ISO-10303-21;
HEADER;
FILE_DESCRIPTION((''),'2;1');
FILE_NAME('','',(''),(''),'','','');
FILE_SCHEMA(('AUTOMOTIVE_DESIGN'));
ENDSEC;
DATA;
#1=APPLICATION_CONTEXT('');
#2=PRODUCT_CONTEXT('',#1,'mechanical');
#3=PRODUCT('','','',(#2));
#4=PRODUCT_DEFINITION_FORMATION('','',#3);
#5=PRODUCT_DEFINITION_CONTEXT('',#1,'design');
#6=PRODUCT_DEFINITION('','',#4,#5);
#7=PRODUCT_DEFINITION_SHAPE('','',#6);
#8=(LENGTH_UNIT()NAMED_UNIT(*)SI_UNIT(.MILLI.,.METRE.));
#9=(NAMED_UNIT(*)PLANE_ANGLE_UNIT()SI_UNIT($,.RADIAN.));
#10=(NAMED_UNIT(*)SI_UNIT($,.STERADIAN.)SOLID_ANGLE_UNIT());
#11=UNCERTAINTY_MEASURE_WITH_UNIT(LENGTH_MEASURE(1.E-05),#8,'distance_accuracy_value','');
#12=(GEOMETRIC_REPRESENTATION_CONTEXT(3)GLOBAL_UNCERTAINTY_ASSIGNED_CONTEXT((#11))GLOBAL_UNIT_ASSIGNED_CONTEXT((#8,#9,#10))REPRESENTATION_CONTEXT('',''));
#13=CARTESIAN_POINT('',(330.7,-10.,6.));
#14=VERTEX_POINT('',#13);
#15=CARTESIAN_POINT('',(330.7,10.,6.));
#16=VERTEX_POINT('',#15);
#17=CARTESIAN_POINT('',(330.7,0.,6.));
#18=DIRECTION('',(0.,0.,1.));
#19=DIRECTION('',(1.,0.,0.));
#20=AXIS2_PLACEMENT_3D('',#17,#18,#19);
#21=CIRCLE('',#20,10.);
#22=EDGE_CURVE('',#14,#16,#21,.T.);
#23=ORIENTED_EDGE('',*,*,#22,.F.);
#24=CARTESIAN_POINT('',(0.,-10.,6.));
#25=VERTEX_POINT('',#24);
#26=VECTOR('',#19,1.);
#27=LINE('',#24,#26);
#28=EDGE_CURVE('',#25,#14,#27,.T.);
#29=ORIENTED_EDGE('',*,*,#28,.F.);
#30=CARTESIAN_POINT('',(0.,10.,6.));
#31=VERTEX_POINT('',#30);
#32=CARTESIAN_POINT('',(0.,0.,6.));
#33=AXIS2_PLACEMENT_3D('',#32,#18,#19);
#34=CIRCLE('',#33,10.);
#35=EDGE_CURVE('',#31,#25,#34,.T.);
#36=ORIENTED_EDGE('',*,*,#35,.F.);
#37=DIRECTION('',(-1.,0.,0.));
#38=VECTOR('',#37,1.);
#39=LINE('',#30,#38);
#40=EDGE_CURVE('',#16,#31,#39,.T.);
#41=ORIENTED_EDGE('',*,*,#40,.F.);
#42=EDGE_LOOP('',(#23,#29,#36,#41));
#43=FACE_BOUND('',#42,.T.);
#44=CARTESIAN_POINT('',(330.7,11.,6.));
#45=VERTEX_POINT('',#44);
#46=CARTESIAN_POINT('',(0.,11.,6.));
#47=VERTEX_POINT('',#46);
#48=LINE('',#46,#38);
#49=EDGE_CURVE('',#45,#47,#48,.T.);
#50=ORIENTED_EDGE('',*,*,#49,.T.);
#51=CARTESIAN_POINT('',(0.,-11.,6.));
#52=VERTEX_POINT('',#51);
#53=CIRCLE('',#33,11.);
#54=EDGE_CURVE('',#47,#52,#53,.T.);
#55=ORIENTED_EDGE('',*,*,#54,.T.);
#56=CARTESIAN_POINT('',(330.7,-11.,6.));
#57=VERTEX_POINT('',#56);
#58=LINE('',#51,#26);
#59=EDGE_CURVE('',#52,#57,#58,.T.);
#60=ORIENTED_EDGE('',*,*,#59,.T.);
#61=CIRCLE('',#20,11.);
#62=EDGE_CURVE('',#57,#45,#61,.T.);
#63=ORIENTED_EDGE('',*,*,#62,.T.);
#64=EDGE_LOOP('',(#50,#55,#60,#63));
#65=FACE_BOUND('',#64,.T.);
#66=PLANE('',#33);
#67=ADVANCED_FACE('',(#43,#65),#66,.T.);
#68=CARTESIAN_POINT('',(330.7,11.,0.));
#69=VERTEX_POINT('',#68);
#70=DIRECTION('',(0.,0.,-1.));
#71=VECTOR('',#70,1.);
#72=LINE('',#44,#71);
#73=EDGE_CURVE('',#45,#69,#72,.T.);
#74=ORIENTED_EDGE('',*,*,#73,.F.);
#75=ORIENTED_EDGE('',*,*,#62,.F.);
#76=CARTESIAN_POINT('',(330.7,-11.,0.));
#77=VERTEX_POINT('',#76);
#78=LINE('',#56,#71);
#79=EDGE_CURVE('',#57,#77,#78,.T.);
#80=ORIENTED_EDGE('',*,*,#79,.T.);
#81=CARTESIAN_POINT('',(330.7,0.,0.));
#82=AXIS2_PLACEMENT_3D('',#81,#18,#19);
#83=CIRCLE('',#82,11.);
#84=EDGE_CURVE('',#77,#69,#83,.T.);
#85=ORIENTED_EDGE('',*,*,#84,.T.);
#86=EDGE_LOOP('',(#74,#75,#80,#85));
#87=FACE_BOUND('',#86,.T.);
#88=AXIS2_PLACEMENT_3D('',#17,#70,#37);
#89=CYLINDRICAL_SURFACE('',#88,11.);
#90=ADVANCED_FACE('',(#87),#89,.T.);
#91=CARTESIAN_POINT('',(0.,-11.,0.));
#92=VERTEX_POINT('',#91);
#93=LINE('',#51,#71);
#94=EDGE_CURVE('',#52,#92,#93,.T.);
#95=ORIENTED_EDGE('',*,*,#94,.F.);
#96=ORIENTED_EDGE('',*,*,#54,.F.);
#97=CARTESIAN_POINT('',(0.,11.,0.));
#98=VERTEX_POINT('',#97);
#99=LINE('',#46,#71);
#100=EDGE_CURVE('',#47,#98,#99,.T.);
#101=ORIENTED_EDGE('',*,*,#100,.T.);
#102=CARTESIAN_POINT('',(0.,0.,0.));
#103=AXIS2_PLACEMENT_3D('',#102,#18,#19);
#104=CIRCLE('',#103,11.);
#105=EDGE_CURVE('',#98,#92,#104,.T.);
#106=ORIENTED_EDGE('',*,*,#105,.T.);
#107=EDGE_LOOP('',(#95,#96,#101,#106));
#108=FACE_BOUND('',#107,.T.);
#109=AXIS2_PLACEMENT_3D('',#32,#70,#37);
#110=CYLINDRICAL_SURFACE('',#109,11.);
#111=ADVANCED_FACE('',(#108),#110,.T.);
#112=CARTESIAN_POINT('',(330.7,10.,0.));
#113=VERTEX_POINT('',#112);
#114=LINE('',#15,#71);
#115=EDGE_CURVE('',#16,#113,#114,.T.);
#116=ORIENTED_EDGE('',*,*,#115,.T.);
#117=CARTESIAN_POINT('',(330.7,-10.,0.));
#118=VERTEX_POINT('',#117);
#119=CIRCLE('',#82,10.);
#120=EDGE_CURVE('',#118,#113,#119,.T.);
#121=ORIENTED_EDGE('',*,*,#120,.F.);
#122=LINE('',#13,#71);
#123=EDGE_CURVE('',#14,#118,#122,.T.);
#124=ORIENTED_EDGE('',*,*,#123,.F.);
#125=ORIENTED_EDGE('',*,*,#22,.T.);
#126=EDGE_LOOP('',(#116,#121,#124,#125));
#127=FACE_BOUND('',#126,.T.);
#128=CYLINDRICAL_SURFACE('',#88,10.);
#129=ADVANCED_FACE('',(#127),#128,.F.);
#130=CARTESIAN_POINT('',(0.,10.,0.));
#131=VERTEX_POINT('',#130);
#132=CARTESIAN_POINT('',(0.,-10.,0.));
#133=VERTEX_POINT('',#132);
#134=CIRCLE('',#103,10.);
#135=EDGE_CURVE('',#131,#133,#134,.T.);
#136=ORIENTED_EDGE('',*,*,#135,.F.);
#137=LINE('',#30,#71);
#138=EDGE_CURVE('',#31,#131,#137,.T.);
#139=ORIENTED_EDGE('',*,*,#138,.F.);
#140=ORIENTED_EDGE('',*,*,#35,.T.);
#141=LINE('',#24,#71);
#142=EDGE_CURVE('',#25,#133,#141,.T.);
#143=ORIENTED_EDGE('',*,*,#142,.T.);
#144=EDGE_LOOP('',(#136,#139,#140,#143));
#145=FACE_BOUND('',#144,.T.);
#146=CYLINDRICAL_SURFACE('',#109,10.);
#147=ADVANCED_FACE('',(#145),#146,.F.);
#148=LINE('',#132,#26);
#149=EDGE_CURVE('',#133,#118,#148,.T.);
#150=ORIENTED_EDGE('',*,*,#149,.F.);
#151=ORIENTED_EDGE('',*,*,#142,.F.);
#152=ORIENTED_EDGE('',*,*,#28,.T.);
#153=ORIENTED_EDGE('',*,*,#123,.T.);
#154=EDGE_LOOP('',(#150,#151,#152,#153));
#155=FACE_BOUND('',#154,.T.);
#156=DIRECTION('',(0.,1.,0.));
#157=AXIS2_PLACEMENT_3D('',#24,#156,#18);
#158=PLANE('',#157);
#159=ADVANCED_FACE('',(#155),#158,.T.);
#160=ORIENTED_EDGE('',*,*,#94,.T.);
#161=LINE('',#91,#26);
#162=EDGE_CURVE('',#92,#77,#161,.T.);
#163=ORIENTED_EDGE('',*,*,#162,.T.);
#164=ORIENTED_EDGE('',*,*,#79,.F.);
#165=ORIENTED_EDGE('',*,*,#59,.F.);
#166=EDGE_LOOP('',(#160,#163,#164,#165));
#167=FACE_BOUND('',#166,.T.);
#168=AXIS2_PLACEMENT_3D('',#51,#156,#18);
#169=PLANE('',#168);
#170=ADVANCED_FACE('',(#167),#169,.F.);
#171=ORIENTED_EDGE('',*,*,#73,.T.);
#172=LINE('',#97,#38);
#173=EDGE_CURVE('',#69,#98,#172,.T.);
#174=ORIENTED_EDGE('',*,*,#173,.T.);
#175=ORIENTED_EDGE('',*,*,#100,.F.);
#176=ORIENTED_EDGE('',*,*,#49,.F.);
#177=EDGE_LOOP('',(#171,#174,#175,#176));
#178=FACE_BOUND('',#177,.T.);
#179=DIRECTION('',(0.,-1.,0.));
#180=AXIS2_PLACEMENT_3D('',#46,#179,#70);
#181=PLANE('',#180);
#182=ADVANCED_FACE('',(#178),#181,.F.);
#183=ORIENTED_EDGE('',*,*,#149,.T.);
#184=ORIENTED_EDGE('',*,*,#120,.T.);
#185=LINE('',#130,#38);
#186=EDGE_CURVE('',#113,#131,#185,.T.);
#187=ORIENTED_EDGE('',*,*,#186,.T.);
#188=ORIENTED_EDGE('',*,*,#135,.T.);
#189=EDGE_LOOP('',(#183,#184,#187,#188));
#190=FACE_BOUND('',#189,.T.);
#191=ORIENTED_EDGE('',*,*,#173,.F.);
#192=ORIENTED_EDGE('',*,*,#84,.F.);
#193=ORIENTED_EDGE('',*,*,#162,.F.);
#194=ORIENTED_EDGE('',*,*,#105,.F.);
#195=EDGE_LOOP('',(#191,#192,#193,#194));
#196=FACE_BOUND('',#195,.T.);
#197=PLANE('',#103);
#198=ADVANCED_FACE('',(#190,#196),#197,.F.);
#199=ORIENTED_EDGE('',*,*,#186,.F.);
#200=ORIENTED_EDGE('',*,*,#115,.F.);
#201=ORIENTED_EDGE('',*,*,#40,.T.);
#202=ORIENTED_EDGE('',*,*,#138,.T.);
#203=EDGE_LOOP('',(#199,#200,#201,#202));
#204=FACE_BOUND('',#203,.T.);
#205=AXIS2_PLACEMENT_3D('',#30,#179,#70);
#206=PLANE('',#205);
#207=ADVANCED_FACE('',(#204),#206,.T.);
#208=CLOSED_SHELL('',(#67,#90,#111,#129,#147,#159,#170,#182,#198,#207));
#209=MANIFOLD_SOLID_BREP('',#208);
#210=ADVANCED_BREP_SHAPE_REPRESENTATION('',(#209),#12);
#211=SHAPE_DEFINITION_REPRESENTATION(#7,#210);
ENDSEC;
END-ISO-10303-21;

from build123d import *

# Parameters (mm, degrees)
BOSS_EXTRUDE1_DEPTH = 6


with BuildPart() as part:
    # Sketch1 → Boss-Extrude1 (new body)
    with BuildSketch(Plane.XY):
        with BuildLine():
            Line((0, 11), (330.7, 11))
            ThreePointArc((330.7, 11), (341.7, 0), (330.7, -11))
            Line((330.7, -11), (0, -11))
            ThreePointArc((0, -11), (-11, 0), (0, 11))
        make_face()
        with BuildLine():
            Line((0, 10), (330.7, 10))
            ThreePointArc((330.7, 10), (340.7, 0), (330.7, -10))
            Line((330.7, -10), (0, -10))
            ThreePointArc((0, -10), (-10, 0), (0, 10))
        make_face(mode=Mode.SUBTRACT)
    extrude(amount=BOSS_EXTRUDE1_DEPTH)


solid = part.part
